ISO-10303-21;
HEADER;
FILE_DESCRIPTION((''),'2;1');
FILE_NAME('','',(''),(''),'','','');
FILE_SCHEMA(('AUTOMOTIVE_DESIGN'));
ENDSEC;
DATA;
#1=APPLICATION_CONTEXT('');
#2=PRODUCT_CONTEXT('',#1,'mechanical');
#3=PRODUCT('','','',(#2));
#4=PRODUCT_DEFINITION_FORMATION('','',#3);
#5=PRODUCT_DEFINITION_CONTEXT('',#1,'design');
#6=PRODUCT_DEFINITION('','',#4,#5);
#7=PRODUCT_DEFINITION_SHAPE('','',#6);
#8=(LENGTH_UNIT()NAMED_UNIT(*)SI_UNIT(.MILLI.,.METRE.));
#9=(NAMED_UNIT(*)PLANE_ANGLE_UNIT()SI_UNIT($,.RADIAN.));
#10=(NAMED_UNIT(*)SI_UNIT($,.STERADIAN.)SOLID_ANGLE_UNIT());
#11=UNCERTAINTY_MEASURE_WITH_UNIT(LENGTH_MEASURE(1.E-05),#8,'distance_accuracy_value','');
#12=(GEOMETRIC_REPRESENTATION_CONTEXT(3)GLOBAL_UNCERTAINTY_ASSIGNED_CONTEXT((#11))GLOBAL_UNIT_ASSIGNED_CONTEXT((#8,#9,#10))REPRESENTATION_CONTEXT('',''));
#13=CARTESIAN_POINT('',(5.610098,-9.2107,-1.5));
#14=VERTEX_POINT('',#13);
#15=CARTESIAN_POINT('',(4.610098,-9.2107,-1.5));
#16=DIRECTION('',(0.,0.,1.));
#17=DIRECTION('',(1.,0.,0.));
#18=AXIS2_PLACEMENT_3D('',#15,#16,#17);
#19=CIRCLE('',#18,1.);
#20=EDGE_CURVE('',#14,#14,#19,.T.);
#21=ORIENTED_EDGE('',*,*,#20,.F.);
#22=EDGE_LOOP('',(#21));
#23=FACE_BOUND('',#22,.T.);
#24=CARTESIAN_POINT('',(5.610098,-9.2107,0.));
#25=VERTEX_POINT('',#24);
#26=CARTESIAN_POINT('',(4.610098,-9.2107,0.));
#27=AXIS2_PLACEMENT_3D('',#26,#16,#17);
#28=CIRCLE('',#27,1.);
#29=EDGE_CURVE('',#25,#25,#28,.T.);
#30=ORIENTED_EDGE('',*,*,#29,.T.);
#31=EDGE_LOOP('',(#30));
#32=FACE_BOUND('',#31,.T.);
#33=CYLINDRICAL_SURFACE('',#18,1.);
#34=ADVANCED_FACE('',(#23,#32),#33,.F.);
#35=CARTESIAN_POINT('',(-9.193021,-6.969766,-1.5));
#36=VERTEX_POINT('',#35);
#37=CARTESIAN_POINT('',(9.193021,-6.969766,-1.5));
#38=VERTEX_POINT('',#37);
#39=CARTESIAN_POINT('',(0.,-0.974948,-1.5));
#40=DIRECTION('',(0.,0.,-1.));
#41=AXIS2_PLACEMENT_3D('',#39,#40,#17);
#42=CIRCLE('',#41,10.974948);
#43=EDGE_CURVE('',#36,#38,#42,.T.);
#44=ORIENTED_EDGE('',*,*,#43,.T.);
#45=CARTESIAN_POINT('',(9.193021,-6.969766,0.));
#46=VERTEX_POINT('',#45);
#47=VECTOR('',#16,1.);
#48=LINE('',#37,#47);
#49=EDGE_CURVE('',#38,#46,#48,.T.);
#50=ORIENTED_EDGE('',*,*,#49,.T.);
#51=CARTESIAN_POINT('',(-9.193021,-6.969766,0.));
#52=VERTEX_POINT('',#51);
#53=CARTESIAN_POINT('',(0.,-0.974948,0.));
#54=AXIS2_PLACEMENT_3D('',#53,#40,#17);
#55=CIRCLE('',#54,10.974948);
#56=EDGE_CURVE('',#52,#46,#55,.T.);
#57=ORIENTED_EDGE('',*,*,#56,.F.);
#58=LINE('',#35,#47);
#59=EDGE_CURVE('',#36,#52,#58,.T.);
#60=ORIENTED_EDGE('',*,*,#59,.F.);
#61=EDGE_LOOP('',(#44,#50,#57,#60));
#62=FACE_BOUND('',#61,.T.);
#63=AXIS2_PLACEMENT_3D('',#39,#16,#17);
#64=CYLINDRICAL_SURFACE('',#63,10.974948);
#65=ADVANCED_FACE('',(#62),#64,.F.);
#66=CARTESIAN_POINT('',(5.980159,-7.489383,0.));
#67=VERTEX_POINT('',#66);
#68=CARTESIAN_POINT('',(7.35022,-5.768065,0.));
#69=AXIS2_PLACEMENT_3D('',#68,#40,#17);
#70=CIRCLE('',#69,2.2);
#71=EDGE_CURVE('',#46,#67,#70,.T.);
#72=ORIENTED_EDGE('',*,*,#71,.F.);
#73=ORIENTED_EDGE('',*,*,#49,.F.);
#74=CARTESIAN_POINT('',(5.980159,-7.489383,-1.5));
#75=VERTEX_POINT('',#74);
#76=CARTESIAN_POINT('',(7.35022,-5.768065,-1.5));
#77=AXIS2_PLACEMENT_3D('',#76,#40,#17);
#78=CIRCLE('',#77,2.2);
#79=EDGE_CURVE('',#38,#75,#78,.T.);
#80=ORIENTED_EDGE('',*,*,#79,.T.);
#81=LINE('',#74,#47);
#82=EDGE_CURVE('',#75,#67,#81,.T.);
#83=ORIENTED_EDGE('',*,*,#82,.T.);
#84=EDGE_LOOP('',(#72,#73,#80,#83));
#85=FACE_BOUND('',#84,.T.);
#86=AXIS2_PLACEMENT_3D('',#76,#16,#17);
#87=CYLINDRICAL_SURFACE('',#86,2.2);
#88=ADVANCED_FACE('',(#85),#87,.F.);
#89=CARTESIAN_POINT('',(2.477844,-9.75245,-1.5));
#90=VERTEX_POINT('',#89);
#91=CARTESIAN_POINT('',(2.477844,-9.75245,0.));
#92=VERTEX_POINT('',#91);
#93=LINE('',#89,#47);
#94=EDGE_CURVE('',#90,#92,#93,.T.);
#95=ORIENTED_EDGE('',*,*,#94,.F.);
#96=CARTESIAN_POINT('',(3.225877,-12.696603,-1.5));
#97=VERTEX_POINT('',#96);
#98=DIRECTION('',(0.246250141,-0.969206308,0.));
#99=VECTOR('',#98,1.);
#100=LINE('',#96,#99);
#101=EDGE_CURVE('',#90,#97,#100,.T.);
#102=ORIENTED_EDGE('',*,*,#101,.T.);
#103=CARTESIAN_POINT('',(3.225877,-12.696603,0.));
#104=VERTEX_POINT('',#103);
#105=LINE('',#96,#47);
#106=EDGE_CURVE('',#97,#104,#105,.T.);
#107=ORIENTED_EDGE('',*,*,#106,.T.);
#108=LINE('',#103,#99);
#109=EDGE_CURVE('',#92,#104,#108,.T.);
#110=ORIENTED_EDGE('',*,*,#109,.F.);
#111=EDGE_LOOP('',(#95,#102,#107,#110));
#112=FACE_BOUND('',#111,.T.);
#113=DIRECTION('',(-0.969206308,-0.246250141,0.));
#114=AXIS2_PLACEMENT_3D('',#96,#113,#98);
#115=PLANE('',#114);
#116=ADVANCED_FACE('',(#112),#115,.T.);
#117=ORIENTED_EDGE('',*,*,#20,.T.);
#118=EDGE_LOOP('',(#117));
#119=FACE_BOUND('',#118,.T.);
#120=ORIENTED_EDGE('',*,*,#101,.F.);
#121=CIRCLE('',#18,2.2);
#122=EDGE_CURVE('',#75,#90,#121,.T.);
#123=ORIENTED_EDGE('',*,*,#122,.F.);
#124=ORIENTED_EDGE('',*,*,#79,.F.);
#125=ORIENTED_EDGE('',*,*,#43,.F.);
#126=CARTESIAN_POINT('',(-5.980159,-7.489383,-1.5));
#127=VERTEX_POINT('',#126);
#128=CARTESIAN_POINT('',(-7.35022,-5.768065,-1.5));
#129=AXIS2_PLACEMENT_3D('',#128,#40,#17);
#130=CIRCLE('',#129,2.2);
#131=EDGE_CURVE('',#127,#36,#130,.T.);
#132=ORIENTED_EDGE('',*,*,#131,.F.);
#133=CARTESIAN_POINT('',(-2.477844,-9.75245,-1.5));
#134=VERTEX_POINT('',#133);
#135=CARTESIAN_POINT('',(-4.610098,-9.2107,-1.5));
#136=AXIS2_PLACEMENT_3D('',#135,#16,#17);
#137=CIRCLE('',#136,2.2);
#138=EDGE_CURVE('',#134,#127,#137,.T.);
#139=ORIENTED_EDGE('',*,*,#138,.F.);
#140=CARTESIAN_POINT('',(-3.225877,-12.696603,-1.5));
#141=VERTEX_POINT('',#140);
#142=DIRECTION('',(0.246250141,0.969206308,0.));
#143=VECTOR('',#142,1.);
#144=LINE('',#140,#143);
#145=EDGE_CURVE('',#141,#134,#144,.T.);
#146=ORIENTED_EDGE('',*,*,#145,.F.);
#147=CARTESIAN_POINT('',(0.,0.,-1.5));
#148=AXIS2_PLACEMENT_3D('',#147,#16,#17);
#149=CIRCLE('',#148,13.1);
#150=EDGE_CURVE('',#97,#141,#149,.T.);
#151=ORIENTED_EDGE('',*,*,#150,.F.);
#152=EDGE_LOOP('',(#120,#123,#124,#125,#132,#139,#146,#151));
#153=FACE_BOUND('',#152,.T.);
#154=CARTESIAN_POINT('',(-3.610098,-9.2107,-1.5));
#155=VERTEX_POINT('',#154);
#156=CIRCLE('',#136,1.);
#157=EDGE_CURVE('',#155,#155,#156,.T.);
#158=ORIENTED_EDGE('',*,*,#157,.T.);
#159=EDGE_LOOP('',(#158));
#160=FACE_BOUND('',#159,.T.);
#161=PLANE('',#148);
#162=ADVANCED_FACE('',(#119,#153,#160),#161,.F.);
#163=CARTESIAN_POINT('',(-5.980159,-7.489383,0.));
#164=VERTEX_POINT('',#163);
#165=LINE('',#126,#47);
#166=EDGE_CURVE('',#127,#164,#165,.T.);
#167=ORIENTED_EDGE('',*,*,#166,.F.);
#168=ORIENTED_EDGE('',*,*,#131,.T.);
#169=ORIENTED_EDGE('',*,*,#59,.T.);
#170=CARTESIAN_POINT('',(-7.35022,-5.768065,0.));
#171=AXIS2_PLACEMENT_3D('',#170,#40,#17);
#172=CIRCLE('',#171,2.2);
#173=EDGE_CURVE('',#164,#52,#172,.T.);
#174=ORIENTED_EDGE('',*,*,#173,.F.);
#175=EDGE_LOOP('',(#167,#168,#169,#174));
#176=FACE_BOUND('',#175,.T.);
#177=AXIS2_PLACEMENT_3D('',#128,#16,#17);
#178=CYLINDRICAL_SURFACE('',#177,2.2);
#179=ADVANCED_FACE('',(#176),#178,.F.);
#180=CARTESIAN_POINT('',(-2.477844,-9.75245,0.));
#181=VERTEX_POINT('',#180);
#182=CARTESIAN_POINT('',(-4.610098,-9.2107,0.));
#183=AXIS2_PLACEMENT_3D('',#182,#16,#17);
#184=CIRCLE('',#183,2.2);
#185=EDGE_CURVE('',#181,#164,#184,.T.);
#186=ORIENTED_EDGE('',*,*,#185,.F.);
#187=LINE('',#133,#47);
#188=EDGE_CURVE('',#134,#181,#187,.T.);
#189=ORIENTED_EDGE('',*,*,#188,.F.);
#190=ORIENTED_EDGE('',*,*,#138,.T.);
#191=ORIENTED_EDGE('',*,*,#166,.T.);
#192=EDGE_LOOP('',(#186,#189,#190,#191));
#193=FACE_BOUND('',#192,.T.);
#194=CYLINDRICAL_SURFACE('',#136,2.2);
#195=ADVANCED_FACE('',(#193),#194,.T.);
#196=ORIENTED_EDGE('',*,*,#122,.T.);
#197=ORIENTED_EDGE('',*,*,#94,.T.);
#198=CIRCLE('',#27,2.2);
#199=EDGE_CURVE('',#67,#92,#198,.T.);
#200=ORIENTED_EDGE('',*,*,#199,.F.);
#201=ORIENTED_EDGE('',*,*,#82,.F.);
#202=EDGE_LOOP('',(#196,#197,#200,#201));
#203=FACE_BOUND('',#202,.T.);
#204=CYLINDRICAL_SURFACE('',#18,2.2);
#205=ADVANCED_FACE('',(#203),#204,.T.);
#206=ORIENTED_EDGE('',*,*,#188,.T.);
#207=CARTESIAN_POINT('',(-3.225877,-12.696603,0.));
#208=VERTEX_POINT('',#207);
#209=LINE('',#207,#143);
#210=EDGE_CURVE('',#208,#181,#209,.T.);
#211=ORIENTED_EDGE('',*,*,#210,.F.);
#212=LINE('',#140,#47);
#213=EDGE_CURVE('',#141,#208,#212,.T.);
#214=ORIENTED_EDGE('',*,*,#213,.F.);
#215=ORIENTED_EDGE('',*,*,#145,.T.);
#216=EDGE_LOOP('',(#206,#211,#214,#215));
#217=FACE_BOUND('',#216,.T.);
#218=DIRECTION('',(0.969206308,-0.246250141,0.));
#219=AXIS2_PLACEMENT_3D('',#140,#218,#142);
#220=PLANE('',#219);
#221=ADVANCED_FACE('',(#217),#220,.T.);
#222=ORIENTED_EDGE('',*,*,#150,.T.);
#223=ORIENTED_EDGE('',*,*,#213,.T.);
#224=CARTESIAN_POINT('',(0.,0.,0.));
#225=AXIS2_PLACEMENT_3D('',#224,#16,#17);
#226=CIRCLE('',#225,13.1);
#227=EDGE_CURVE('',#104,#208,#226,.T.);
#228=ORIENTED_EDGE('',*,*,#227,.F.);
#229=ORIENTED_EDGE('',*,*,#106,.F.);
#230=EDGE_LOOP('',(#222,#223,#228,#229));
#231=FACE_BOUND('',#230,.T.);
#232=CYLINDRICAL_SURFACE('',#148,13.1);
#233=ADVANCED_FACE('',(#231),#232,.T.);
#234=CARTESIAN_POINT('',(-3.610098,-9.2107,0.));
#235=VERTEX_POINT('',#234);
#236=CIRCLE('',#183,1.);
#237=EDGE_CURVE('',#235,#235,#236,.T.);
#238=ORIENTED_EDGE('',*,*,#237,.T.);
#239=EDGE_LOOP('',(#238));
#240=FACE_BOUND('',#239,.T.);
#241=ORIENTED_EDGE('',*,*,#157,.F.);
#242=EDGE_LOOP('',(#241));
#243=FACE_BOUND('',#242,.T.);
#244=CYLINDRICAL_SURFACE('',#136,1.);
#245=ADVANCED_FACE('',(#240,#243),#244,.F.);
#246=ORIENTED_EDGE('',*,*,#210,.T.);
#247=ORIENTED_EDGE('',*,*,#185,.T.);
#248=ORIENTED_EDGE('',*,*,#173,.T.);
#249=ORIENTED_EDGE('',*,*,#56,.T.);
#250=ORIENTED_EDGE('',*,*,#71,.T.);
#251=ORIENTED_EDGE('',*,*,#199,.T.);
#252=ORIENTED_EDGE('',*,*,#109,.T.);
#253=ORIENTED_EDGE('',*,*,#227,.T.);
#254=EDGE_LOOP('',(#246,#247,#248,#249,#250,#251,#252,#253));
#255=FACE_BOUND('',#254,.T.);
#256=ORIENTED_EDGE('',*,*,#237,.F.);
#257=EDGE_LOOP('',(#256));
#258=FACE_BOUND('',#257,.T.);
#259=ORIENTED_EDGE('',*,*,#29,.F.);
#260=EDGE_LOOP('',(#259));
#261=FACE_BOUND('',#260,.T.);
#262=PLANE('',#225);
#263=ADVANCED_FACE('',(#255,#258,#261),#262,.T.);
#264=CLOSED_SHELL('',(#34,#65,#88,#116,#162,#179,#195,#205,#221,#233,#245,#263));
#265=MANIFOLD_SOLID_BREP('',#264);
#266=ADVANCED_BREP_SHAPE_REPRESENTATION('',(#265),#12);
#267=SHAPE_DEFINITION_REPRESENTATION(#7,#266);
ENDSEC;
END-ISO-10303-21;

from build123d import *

# Parameters (mm, degrees)
BODYSKE_R  = 1
BODY_DEPTH = 1.5


with BuildPart() as part:
    # BodySke → Body (new body)
    with BuildSketch(Plane.XY):
        with BuildLine():
            Line((3.225876843, -12.69660264), (2.477844243, -9.752450354))
            ThreePointArc((2.477844243, -9.752450354), (3.416111801, -7.362891432), (5.980158955, -7.489382725))
            ThreePointArc((5.980158955, -7.489382725), (7.701462242, -7.939845491), (9.193020908, -6.96976588))
            ThreePointArc((9.193020908, -6.96976588), (0, 10), (-9.193020908, -6.96976588))
            ThreePointArc((-9.193020908, -6.96976588), (-7.701462242, -7.939845491), (-5.980158955, -7.489382725))
            ThreePointArc((-5.980158955, -7.489382725), (-3.416111801, -7.362891432), (-2.477844243, -9.752450354))
            Line((-2.477844243, -9.752450354), (-3.225876843, -12.69660264))
            ThreePointArc((-3.225876843, -12.69660264), (0, 13.1), (3.225876843, -12.69660264))
        make_face()
        with Locations((4.610098122, -9.210700044)):
            Circle(BODYSKE_R, mode=Mode.SUBTRACT)
        with Locations((-4.610098122, -9.210700044)):
            Circle(BODYSKE_R, mode=Mode.SUBTRACT)
    extrude(amount=-BODY_DEPTH)


solid = part.part
